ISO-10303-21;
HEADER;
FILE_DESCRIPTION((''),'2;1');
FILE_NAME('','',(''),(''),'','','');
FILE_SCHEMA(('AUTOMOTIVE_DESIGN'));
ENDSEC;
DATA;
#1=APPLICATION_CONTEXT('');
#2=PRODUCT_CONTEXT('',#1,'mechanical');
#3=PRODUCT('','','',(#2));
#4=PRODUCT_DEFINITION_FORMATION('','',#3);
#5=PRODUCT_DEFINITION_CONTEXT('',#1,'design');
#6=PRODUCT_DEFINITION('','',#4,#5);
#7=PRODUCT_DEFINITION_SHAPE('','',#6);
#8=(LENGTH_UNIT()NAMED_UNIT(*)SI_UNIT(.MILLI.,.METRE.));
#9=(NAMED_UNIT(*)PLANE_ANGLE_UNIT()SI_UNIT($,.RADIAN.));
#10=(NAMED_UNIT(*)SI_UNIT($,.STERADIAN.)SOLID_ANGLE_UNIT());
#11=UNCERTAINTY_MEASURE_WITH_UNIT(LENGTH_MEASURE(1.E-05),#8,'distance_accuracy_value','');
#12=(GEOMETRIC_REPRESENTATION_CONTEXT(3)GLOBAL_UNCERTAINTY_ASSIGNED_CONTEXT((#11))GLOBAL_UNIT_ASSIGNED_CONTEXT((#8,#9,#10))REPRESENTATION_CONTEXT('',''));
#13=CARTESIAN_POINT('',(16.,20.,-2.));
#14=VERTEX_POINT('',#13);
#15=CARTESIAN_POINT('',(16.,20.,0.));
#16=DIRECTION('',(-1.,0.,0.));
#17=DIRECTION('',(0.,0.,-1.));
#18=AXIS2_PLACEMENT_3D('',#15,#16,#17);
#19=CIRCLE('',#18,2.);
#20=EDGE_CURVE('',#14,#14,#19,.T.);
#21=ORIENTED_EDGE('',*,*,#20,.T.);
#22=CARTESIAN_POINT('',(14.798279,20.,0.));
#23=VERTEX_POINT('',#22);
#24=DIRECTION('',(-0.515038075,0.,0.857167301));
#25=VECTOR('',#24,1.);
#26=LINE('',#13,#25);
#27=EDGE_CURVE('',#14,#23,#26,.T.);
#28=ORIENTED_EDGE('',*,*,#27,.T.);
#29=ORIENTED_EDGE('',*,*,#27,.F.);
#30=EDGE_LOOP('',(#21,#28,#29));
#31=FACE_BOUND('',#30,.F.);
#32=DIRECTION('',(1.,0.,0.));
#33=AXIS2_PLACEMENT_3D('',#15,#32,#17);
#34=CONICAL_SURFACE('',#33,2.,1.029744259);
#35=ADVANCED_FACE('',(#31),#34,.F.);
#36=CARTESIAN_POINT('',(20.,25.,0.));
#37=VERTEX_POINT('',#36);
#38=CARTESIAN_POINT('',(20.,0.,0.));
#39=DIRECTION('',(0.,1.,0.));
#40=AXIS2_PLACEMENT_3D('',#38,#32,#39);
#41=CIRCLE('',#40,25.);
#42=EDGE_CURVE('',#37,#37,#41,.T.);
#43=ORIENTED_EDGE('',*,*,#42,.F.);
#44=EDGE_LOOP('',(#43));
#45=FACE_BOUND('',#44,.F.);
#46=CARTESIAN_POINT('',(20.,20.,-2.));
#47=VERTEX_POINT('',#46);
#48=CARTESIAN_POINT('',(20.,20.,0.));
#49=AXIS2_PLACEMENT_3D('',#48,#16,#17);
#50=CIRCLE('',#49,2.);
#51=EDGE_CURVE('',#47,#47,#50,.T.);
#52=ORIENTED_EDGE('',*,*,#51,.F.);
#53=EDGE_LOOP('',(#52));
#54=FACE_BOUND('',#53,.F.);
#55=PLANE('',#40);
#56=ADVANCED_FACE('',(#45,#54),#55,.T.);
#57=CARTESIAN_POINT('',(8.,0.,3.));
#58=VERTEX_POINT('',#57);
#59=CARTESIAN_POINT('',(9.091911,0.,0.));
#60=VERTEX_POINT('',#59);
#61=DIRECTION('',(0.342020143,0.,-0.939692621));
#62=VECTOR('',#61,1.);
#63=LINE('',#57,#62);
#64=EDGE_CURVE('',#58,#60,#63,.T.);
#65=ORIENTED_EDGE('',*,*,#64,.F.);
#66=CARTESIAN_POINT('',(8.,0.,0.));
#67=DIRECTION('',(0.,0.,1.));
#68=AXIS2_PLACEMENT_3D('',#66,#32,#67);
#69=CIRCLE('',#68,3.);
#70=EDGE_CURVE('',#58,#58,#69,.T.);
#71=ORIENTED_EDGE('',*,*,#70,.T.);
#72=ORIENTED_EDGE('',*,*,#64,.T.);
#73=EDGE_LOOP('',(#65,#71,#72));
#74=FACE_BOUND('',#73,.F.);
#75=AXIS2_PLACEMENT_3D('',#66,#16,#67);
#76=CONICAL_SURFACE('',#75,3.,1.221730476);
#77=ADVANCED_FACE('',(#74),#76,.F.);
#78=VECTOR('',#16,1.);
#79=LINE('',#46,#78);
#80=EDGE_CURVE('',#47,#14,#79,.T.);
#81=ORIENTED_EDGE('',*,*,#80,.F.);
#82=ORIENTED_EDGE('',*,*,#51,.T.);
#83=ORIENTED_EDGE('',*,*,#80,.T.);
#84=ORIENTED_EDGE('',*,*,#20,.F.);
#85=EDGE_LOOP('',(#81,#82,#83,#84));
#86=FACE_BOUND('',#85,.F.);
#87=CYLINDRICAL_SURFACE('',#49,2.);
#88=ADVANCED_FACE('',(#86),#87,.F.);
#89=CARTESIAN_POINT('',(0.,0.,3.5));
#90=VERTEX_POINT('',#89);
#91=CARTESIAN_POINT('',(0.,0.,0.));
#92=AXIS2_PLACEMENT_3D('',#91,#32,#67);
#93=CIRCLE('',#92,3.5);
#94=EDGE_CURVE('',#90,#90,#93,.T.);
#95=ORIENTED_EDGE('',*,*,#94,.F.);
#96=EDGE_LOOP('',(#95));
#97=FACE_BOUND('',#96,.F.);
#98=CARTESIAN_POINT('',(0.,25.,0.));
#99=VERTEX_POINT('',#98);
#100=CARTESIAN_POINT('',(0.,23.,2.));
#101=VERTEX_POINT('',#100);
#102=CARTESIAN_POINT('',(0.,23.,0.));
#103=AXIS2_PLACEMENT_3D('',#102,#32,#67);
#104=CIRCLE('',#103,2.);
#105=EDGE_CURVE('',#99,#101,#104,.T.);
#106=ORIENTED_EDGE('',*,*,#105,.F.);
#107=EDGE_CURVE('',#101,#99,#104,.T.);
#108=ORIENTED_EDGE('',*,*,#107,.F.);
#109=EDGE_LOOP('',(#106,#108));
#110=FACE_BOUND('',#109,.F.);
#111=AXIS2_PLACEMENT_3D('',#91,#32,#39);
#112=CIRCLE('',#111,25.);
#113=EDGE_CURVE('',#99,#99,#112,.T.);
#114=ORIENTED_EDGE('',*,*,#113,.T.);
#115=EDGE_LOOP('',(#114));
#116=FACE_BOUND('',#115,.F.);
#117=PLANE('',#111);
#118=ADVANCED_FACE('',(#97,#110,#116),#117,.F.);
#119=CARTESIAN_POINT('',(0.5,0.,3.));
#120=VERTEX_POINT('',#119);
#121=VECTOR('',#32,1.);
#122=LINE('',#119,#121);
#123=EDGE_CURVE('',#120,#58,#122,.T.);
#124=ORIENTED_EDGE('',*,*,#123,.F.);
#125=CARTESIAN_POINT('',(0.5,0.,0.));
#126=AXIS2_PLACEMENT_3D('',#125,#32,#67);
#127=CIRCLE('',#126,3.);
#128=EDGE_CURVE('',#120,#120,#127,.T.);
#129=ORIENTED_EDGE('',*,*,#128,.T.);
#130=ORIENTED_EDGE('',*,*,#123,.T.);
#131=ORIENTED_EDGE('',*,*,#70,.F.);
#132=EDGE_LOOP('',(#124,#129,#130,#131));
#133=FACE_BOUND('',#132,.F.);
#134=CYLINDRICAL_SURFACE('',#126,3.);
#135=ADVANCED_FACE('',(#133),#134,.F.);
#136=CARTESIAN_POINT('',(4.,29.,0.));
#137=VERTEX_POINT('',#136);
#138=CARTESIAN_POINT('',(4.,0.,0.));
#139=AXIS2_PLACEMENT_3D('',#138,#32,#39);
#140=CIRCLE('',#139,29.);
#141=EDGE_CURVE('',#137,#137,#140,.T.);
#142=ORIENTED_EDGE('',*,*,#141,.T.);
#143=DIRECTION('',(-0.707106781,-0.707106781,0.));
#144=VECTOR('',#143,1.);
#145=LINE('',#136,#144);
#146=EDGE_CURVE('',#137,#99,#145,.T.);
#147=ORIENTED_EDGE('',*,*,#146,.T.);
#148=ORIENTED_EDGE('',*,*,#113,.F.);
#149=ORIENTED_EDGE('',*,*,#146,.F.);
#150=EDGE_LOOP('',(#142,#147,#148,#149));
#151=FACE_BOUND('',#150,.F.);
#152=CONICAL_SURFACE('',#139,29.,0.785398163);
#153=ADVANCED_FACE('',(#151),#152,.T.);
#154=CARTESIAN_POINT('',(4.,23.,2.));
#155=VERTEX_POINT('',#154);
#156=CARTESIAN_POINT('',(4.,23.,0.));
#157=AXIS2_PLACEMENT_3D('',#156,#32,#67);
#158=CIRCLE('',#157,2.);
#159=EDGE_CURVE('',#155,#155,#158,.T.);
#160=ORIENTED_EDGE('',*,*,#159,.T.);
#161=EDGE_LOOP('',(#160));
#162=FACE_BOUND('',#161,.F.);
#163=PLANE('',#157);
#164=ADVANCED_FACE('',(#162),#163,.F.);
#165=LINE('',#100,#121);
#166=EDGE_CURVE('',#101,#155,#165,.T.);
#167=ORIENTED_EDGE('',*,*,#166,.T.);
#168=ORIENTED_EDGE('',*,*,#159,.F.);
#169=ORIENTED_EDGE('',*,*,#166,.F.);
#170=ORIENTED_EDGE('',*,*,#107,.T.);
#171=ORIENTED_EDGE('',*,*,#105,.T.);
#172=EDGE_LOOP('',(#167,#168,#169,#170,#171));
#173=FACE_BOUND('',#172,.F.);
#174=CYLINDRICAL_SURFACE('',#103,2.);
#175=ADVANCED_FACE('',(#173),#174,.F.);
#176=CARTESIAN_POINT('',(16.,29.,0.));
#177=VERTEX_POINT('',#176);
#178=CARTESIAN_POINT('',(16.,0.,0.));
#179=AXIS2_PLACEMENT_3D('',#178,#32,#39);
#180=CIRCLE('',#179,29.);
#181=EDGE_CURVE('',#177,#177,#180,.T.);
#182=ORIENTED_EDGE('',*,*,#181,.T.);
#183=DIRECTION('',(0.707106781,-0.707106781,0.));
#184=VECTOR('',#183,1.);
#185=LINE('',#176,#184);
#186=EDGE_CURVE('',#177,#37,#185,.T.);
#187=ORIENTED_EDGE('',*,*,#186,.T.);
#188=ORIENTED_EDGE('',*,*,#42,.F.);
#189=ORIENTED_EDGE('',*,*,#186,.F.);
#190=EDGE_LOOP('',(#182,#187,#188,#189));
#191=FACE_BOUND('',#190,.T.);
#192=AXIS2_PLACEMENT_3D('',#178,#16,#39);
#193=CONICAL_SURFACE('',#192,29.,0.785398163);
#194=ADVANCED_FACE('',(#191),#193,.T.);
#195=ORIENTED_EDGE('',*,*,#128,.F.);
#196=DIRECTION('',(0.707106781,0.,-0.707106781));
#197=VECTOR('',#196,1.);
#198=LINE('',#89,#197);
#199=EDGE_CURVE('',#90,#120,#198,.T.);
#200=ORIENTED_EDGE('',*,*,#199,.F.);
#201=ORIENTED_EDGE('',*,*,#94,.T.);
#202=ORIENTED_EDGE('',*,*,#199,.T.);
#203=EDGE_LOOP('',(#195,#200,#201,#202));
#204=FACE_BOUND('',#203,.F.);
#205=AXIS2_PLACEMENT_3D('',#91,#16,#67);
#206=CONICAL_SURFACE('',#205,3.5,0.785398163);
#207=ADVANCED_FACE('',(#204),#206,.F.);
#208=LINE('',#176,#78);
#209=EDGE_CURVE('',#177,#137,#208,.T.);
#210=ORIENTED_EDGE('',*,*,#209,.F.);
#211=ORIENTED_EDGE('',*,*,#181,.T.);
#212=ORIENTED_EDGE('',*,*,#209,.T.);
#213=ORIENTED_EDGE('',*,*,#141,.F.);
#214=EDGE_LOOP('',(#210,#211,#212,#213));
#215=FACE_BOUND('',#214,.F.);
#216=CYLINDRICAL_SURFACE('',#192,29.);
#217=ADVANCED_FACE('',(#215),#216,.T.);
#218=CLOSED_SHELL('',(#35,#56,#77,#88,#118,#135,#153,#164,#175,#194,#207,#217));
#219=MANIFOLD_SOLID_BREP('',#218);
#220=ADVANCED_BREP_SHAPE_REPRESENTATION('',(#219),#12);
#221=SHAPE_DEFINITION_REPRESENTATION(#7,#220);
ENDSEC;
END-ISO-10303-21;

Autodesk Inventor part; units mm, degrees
ref_plane "YZ Plane" through (0, 0, 0) normal (1, 0, 0) x (0, 1, 0)
ref_plane "XZ Plane" through (0, 0, 0) normal (0, 1, 0) x (-1, 0, 0)
ref_plane "XY Plane" through (0, 0, 0) normal (0, 0, 1) x (1, 0, 0)
sketch "Эскиз5" plane through (0, 0, 0) normal (0, 0, 1) x (1, 0, 0)
  line L0 (0, 0) -> (20, 0)
  line L1 (20, 0) -> (20, 25)
  line L2 (16, 29) -> (4, 29)
  line L3 (0, 25) -> (0, 0)
  line L4 (4, 29) -> (0, 25)
  line L5 (16, 29) -> (20, 25)
  point P0 (20, 29)
  point P1 (0, 29)
  dimension "d42" = 20
  dimension "d43" = 29
  dimension "d44" = 4
  dimension "d45" = 4
  dimension "d46" = 4
  dimension "d47" = 4
revolve "Вращение3" add sketch "Эскиз5" angle 360 about axis through (0, 0, 0) along (1, 0, 0)
sketch "Эскиз6" plane through (0, 0, 0) normal (-1, 0, 0) x (0, 0, 1)
  point P0 (0, 0)
  point P1 (0, 0)
hole "Отверстие3" at (0, 0, 0) direction (1, 0, 0) diameter 6 depth 8 tip angle 140 countersink diameter 7 countersink angle 90
sketch "Эскиз8" plane through (0, 0, 0) normal (-1, 0, 0) x (0, 0, 1)
  line L0 (0, 0) -> (0, 23) construction
  dimension "d56" = 23
hole "Отверстие4" at (0, 23, 0) direction (1, 0, 0) diameter 4 depth 4
sketch "Эскиз9" plane through (20, 0, 0) normal (1, 0, 0) x (0, 0, -1)
  line L0 (0, 0) -> (0, 20) construction
  dimension "d64" = 20
hole "Отверстие5" at (20, 20, 0) direction (-1, 0, 0) diameter 4 depth 4 tip angle 118
thread "Резьба3" size "M6x1" class "6H" standard "ANSI Metric M Profile" full length
equation "\"d45\" = d44"
equation "\"d46\" = d44"
equation "\"d47\" = d46"
properties part number "711138 (Доделать)"
